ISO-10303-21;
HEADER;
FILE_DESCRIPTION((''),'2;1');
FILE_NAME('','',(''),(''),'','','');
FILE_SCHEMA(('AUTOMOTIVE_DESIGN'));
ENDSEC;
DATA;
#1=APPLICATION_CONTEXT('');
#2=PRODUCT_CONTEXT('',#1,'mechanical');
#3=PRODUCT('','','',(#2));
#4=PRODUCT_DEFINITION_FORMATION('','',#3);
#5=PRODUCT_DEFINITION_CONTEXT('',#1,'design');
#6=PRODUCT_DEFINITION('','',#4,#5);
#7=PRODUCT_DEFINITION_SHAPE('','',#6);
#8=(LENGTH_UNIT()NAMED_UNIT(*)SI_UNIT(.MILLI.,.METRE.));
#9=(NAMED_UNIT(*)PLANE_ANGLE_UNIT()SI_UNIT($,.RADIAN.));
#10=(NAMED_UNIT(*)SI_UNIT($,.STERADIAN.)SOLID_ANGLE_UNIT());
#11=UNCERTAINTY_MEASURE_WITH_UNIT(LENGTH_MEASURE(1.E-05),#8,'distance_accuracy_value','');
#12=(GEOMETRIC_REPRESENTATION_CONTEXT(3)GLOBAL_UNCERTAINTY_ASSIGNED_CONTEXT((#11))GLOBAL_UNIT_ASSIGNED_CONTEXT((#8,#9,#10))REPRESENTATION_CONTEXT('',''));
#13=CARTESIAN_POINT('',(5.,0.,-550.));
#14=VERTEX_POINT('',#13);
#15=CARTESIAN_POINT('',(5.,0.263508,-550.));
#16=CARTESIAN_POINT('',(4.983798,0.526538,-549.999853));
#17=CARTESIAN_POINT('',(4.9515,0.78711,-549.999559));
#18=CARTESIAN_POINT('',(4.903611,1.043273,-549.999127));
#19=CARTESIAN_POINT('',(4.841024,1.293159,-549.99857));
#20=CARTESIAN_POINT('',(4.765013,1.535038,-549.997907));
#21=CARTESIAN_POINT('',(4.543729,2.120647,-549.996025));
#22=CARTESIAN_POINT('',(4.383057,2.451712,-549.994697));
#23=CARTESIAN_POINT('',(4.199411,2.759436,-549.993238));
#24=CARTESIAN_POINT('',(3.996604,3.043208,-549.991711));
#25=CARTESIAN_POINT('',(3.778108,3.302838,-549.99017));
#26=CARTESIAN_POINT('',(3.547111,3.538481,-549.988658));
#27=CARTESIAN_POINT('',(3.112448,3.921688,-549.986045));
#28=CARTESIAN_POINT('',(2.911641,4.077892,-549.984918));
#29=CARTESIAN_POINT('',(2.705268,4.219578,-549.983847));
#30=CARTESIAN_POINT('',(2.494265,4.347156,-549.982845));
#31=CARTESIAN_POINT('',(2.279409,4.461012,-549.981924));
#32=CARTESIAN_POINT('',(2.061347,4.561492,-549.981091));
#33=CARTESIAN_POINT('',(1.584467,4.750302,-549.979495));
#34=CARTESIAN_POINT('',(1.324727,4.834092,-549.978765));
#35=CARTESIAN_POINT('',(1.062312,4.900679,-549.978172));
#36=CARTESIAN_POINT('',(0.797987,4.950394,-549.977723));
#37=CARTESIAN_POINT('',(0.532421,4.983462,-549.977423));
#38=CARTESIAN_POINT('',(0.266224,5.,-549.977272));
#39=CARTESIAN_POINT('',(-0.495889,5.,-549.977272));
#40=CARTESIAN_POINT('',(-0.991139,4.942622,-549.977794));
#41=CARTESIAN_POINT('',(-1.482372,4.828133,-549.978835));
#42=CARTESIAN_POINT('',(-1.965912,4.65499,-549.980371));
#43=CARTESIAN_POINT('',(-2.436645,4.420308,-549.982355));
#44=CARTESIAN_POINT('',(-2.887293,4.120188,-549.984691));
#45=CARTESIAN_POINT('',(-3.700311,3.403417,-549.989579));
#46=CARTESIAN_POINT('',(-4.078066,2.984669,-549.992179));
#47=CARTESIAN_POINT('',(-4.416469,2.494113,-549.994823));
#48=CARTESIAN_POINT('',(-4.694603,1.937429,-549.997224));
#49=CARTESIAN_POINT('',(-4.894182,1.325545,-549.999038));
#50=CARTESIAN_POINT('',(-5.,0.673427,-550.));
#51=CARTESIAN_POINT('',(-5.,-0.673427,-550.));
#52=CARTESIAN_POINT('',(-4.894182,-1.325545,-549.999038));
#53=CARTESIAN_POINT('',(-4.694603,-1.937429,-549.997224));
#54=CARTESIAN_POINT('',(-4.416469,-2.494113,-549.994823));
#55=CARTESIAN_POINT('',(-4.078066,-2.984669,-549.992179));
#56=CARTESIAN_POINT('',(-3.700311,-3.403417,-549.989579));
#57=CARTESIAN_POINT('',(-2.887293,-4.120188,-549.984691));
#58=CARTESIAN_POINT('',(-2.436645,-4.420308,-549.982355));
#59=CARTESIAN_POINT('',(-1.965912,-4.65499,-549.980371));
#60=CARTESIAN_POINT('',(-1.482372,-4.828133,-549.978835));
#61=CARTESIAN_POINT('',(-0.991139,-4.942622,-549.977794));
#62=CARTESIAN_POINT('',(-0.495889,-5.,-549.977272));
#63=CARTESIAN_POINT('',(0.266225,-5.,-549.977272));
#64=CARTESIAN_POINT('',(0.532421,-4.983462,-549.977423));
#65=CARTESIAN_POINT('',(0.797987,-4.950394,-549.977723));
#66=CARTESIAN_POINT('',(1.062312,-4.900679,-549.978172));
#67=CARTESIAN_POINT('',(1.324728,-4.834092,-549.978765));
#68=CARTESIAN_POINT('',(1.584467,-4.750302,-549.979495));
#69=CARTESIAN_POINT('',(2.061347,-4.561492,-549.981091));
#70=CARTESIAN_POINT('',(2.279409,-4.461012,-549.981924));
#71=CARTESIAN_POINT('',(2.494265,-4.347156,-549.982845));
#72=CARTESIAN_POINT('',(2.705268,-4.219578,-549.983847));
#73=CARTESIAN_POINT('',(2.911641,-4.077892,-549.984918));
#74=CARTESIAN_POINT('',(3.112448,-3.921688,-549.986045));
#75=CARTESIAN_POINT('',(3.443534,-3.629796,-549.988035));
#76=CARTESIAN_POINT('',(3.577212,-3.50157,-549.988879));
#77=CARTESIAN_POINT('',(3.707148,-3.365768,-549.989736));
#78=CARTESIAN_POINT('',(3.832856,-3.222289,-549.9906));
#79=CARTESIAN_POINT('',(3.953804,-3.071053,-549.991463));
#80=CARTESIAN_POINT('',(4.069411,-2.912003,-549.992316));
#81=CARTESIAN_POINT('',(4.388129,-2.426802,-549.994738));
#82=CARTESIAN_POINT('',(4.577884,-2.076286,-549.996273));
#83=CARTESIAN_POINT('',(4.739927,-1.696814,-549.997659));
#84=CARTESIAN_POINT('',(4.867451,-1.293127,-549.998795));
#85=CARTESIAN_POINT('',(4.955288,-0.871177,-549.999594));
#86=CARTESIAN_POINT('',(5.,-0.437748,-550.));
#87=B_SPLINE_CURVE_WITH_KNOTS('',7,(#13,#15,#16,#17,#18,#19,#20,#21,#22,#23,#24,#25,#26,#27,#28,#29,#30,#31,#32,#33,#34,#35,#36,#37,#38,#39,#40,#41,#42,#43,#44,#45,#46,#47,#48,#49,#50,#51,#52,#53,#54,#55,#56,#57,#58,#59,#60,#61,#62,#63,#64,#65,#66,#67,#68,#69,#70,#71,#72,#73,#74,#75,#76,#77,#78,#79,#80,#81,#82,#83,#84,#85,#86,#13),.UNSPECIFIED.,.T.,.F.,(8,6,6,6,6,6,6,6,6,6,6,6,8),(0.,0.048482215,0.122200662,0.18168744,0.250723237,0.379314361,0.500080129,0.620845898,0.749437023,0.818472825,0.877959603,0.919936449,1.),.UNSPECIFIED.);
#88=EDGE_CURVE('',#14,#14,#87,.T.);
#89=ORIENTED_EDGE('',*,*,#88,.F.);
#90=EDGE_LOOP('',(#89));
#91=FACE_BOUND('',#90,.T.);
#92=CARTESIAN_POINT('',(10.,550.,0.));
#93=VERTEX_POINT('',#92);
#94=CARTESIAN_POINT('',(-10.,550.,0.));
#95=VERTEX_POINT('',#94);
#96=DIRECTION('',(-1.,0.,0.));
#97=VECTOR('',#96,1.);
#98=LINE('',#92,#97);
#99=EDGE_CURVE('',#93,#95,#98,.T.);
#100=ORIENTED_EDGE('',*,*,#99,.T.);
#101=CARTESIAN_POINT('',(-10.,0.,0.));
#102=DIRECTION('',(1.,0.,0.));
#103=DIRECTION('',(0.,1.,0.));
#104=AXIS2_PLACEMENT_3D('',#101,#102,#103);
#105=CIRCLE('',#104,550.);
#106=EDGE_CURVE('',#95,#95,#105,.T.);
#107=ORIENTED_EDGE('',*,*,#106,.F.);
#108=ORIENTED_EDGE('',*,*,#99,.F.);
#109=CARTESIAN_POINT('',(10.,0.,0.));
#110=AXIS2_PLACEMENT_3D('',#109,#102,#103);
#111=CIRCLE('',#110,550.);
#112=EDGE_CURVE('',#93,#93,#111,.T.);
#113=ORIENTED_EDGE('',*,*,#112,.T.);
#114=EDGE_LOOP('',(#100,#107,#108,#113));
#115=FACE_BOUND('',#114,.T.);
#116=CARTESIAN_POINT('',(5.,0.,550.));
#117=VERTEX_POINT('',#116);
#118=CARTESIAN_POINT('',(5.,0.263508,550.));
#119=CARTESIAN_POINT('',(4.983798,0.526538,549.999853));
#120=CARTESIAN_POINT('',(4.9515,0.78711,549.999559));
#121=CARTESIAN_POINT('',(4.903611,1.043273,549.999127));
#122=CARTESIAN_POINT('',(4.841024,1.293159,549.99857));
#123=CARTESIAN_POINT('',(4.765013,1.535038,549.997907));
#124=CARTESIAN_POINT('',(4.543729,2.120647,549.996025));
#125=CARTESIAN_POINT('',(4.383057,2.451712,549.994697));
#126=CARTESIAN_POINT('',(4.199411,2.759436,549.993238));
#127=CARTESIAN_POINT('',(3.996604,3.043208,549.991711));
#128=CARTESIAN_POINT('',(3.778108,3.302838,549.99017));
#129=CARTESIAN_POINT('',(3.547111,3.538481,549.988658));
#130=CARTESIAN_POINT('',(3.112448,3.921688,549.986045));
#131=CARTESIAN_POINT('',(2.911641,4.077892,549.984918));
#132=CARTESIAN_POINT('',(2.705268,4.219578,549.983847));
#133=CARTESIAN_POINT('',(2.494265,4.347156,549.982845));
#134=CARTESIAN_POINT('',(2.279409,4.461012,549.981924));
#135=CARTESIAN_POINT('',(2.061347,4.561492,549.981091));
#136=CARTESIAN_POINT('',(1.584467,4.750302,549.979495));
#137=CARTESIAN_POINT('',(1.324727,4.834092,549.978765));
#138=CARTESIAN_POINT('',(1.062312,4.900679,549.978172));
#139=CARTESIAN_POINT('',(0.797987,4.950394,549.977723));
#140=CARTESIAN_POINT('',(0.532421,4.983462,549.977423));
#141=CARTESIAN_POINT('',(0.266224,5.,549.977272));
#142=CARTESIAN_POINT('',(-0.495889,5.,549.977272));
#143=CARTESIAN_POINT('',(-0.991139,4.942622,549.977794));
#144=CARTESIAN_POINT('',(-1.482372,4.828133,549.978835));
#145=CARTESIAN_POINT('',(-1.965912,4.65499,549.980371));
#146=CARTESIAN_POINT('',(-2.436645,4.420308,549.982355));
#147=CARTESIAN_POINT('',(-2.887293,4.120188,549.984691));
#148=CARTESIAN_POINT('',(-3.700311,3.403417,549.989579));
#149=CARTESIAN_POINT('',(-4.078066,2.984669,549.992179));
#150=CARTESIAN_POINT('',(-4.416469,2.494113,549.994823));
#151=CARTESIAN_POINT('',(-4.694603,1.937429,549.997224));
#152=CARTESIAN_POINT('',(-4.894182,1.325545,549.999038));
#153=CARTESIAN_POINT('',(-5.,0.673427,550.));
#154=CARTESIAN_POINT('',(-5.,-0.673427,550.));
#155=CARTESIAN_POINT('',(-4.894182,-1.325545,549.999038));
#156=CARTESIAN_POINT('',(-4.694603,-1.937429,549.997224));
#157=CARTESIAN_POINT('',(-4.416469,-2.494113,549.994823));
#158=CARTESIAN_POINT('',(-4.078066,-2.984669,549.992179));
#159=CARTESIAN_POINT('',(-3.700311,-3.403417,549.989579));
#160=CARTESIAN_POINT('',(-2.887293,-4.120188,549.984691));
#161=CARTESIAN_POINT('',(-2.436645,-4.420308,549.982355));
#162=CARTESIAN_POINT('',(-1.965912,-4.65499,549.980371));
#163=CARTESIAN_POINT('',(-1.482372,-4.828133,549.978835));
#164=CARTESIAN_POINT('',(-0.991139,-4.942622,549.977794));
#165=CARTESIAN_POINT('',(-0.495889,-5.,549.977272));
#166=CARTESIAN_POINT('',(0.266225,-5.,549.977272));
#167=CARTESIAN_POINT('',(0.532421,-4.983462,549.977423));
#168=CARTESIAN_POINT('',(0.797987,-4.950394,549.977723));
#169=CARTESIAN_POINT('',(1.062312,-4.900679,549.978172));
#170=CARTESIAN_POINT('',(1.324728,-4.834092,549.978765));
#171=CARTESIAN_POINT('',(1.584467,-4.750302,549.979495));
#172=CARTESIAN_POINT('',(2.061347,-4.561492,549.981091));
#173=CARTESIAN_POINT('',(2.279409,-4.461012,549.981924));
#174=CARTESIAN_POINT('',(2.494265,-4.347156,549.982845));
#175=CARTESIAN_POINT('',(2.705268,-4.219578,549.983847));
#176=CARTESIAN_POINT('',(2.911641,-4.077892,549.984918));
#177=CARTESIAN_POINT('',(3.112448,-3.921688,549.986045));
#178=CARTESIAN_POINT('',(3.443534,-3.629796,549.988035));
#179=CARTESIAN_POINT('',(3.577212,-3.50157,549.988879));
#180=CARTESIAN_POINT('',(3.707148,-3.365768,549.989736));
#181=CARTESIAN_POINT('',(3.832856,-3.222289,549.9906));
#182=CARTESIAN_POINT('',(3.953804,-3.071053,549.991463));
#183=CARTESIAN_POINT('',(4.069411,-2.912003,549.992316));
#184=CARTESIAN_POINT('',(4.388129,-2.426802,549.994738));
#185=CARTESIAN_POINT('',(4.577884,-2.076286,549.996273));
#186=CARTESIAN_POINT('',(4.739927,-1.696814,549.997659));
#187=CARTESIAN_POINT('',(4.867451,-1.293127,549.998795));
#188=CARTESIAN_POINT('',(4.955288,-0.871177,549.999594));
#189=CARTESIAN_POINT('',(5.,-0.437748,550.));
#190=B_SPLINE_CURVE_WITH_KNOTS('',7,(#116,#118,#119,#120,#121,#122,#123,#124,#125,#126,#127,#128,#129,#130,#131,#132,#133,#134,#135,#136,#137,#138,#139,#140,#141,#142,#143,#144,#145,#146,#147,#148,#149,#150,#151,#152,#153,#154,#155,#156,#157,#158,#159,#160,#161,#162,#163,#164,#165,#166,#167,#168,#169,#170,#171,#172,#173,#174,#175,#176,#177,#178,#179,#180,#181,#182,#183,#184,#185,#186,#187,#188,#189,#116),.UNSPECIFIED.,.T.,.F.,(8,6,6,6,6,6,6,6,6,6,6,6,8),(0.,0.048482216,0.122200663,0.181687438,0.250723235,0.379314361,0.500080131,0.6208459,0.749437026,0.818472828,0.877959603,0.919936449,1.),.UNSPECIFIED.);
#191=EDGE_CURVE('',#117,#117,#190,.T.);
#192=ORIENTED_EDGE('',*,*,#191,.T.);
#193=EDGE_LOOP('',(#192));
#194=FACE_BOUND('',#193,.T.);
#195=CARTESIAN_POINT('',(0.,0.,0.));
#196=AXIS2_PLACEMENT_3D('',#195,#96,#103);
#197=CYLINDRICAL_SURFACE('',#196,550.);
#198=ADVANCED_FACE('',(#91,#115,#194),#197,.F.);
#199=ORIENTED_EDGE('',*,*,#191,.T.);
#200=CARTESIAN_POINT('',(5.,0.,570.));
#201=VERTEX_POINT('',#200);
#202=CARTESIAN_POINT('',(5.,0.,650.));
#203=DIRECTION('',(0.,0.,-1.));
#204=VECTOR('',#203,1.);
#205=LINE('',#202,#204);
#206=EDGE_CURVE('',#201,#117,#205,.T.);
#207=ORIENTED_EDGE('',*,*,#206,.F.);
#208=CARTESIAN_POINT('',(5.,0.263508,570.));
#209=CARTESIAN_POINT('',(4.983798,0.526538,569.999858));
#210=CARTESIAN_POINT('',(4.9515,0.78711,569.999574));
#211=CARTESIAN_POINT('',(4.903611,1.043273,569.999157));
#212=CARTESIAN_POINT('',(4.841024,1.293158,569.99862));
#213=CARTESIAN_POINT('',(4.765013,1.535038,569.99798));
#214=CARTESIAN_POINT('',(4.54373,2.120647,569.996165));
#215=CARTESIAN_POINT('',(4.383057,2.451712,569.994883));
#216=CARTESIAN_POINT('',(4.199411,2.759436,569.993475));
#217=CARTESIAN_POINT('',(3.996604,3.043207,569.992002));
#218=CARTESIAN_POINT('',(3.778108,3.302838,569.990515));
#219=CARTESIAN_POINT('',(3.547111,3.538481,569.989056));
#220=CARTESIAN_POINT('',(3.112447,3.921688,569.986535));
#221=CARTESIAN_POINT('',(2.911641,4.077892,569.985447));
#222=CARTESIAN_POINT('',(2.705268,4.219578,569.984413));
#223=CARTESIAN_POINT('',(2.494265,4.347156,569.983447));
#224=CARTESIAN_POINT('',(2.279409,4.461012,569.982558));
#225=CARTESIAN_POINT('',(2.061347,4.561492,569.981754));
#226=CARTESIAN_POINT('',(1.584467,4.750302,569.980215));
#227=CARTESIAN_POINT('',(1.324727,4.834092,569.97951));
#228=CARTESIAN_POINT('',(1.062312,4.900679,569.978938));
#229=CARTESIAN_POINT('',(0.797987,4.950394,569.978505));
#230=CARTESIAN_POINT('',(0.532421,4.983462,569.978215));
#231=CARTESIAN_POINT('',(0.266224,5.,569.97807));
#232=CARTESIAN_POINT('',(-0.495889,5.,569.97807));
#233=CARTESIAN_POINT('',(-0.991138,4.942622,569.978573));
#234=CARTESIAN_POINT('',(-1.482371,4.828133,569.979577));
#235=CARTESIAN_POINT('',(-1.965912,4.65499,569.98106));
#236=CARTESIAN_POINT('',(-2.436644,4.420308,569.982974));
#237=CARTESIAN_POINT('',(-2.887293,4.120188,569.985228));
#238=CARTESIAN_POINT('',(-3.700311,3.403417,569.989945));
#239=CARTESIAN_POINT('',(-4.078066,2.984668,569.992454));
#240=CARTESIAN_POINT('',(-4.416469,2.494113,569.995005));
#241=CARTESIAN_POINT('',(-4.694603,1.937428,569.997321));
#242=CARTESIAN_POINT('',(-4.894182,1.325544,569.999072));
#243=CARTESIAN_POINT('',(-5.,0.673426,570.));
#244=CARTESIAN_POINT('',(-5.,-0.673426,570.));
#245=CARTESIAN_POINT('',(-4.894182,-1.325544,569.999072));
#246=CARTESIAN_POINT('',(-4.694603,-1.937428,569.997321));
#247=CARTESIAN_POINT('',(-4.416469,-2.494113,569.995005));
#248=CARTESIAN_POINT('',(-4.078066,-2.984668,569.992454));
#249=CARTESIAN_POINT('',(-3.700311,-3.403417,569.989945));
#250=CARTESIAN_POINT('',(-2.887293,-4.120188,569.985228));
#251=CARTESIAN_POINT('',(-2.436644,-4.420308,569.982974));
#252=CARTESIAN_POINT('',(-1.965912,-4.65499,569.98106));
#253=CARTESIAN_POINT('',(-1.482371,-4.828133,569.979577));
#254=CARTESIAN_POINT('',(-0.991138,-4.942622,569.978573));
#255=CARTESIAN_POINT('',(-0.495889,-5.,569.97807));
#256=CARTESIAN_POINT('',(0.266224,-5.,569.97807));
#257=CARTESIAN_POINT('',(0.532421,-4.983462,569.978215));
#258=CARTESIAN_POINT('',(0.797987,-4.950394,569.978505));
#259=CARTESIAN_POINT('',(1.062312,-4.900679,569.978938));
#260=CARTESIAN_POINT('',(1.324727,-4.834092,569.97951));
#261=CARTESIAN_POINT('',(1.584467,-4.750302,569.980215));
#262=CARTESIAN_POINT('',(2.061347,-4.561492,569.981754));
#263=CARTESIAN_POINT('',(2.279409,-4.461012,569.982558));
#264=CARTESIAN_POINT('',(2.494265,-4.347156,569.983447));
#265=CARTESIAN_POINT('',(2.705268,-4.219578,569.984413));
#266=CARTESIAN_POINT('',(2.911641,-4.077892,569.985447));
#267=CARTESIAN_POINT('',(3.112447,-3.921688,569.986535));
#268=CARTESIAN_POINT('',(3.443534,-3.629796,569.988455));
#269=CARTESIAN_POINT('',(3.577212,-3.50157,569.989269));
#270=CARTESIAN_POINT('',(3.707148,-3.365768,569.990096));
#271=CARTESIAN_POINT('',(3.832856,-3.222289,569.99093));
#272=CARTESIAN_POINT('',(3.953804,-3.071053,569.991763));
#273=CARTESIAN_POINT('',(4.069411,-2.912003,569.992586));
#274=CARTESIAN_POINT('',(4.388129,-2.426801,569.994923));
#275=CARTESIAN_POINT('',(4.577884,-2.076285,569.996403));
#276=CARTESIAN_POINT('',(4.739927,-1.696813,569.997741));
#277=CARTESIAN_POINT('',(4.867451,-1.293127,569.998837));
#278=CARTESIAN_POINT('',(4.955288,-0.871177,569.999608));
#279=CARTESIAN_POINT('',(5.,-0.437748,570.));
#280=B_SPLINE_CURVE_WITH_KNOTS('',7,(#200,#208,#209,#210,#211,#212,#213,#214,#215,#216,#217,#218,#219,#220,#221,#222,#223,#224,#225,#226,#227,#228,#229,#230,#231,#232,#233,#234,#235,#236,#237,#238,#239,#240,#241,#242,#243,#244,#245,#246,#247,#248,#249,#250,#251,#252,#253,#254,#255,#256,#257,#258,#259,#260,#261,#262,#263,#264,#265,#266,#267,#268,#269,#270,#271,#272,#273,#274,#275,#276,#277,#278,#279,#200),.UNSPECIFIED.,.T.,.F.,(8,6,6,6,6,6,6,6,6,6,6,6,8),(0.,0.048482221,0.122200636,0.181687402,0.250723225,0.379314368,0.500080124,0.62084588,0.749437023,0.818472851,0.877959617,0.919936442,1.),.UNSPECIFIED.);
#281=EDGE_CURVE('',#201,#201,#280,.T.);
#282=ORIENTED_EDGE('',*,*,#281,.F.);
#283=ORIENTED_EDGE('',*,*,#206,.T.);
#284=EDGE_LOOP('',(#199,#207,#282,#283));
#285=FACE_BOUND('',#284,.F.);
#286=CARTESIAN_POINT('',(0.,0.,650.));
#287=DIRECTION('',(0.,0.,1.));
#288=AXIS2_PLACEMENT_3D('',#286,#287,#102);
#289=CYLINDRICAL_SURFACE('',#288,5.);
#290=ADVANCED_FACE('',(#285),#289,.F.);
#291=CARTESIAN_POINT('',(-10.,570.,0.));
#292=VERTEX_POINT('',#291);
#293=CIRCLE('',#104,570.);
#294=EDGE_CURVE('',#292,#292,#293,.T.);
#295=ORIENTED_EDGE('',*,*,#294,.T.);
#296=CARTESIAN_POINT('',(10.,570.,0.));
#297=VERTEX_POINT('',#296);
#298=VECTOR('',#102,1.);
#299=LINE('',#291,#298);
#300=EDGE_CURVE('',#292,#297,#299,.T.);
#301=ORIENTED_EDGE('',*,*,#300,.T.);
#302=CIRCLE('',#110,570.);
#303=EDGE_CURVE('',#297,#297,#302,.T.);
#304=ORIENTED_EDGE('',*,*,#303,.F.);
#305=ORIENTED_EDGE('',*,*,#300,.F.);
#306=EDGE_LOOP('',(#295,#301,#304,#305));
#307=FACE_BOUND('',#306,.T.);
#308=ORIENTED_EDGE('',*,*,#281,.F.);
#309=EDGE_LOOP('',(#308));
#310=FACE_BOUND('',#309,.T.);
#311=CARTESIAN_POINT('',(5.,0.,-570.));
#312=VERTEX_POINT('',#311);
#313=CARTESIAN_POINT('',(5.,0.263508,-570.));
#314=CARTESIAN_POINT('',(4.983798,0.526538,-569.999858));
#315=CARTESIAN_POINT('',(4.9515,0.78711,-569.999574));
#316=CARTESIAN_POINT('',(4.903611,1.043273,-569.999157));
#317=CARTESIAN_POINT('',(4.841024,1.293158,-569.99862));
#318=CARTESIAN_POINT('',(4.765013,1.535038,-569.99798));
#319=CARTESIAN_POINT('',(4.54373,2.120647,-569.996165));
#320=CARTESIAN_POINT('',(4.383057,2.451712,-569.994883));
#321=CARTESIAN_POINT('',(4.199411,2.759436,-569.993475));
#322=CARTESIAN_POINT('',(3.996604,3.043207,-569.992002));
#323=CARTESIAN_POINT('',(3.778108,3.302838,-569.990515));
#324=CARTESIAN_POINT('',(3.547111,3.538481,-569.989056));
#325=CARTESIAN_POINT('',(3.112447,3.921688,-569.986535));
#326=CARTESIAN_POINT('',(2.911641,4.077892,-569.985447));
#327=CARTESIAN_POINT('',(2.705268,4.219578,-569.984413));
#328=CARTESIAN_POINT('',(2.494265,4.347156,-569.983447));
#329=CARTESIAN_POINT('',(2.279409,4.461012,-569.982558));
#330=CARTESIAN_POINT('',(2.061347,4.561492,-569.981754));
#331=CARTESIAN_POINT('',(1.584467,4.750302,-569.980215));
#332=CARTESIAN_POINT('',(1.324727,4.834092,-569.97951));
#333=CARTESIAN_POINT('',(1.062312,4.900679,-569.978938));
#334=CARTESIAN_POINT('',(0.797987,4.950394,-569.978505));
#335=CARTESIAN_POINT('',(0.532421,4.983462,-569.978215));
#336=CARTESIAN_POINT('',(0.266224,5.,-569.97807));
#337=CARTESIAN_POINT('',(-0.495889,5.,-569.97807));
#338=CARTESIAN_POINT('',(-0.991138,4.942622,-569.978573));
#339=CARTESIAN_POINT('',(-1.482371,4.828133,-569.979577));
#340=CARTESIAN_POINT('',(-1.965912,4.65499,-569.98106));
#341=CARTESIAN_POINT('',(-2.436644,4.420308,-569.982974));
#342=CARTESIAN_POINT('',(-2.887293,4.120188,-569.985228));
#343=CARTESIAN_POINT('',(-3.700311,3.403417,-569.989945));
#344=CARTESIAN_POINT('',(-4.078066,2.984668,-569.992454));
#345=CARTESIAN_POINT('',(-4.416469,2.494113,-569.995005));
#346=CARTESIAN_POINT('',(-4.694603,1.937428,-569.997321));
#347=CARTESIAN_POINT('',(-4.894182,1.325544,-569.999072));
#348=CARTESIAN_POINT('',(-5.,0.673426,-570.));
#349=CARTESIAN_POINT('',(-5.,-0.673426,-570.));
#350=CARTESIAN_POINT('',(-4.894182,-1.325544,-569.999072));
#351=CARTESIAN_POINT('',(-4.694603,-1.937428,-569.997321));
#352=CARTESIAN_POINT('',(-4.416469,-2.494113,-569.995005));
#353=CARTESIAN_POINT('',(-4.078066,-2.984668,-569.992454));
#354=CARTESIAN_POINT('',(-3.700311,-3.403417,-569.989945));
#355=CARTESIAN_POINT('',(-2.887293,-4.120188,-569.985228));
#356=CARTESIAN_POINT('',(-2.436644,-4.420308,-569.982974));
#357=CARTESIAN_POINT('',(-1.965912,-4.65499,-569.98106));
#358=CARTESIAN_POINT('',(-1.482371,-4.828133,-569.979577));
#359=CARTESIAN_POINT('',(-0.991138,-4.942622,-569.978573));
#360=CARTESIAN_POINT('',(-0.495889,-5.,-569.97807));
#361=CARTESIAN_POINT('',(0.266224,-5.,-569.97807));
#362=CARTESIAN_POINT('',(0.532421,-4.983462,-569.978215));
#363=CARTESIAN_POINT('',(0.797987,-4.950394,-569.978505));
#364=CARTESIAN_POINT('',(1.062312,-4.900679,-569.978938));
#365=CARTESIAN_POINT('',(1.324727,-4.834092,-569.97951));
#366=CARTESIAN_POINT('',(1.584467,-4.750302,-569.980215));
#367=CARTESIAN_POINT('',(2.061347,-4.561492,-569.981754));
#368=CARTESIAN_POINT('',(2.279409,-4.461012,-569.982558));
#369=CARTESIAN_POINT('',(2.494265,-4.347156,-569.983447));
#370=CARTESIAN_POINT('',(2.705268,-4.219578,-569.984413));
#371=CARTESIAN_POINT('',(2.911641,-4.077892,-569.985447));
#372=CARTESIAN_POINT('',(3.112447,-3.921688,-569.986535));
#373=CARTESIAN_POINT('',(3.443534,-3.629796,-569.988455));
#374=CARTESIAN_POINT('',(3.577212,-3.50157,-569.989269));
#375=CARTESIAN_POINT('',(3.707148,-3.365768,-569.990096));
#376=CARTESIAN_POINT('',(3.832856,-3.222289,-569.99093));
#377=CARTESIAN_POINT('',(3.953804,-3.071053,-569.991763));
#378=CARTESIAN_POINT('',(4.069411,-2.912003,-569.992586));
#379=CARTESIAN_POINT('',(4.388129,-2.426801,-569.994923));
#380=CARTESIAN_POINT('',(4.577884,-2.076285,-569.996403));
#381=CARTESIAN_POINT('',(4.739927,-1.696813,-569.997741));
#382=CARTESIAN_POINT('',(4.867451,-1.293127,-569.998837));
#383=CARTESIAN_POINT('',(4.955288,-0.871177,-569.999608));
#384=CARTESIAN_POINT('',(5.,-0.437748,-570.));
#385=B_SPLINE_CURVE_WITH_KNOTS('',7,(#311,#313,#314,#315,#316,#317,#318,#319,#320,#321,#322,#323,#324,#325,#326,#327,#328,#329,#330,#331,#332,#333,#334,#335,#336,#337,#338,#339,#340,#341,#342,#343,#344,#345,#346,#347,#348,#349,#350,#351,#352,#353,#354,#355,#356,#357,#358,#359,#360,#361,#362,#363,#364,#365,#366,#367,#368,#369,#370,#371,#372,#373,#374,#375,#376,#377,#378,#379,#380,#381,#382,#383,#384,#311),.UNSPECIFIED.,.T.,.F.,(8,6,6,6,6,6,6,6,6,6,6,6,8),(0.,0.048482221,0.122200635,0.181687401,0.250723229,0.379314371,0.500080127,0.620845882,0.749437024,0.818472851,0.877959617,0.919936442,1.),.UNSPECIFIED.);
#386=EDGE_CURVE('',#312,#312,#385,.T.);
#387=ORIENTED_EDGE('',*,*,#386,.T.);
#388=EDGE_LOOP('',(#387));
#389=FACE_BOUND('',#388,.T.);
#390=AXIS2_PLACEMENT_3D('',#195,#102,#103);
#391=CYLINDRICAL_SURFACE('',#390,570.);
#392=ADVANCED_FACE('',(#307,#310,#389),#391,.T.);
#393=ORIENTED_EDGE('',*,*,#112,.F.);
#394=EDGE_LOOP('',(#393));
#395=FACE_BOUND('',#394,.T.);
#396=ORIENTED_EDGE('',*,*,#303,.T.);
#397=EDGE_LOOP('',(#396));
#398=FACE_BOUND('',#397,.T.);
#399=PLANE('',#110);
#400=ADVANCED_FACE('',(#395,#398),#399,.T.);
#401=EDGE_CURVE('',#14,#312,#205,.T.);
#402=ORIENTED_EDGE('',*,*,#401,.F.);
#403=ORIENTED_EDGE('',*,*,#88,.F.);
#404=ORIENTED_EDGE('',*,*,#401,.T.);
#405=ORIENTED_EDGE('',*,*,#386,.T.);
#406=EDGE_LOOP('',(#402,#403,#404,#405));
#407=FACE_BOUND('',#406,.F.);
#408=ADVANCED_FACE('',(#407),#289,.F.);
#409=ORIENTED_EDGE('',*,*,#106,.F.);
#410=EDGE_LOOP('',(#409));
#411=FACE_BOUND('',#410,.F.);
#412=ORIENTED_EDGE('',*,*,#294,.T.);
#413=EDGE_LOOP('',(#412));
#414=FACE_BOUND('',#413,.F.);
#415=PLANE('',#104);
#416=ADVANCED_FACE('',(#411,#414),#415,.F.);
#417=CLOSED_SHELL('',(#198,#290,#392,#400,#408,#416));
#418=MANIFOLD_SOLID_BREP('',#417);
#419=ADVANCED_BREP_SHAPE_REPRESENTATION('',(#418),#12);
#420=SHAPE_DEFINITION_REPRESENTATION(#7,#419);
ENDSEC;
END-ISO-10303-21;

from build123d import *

# Parameters (mm, degrees)
SKETCH012_R      = 5
EXTRUDE012_DEPTH = 1500
SKETCH001_R      = 570
SKETCH001_R_2    = 550
EXTRUDE_DEPTH    = 10


with BuildPart() as extrude012:
    # Sketch012 (on Face1 of Extrude011) → Extrude012 (new body)
    with BuildSketch(Plane.XY.offset(650)):
        Circle(SKETCH012_R)
    extrude(amount=-EXTRUDE012_DEPTH)


with BuildPart() as cut:
    # Sketch001 → Extrude (new body, symmetric)
    with BuildSketch(Plane.YZ):
        Circle(SKETCH001_R)
        Circle(SKETCH001_R_2, mode=Mode.SUBTRACT)
    extrude(amount=EXTRUDE_DEPTH, both=True)

    # Cut: cut Extrude012
    add(extrude012.part, mode=Mode.SUBTRACT)


solid = cut.part
